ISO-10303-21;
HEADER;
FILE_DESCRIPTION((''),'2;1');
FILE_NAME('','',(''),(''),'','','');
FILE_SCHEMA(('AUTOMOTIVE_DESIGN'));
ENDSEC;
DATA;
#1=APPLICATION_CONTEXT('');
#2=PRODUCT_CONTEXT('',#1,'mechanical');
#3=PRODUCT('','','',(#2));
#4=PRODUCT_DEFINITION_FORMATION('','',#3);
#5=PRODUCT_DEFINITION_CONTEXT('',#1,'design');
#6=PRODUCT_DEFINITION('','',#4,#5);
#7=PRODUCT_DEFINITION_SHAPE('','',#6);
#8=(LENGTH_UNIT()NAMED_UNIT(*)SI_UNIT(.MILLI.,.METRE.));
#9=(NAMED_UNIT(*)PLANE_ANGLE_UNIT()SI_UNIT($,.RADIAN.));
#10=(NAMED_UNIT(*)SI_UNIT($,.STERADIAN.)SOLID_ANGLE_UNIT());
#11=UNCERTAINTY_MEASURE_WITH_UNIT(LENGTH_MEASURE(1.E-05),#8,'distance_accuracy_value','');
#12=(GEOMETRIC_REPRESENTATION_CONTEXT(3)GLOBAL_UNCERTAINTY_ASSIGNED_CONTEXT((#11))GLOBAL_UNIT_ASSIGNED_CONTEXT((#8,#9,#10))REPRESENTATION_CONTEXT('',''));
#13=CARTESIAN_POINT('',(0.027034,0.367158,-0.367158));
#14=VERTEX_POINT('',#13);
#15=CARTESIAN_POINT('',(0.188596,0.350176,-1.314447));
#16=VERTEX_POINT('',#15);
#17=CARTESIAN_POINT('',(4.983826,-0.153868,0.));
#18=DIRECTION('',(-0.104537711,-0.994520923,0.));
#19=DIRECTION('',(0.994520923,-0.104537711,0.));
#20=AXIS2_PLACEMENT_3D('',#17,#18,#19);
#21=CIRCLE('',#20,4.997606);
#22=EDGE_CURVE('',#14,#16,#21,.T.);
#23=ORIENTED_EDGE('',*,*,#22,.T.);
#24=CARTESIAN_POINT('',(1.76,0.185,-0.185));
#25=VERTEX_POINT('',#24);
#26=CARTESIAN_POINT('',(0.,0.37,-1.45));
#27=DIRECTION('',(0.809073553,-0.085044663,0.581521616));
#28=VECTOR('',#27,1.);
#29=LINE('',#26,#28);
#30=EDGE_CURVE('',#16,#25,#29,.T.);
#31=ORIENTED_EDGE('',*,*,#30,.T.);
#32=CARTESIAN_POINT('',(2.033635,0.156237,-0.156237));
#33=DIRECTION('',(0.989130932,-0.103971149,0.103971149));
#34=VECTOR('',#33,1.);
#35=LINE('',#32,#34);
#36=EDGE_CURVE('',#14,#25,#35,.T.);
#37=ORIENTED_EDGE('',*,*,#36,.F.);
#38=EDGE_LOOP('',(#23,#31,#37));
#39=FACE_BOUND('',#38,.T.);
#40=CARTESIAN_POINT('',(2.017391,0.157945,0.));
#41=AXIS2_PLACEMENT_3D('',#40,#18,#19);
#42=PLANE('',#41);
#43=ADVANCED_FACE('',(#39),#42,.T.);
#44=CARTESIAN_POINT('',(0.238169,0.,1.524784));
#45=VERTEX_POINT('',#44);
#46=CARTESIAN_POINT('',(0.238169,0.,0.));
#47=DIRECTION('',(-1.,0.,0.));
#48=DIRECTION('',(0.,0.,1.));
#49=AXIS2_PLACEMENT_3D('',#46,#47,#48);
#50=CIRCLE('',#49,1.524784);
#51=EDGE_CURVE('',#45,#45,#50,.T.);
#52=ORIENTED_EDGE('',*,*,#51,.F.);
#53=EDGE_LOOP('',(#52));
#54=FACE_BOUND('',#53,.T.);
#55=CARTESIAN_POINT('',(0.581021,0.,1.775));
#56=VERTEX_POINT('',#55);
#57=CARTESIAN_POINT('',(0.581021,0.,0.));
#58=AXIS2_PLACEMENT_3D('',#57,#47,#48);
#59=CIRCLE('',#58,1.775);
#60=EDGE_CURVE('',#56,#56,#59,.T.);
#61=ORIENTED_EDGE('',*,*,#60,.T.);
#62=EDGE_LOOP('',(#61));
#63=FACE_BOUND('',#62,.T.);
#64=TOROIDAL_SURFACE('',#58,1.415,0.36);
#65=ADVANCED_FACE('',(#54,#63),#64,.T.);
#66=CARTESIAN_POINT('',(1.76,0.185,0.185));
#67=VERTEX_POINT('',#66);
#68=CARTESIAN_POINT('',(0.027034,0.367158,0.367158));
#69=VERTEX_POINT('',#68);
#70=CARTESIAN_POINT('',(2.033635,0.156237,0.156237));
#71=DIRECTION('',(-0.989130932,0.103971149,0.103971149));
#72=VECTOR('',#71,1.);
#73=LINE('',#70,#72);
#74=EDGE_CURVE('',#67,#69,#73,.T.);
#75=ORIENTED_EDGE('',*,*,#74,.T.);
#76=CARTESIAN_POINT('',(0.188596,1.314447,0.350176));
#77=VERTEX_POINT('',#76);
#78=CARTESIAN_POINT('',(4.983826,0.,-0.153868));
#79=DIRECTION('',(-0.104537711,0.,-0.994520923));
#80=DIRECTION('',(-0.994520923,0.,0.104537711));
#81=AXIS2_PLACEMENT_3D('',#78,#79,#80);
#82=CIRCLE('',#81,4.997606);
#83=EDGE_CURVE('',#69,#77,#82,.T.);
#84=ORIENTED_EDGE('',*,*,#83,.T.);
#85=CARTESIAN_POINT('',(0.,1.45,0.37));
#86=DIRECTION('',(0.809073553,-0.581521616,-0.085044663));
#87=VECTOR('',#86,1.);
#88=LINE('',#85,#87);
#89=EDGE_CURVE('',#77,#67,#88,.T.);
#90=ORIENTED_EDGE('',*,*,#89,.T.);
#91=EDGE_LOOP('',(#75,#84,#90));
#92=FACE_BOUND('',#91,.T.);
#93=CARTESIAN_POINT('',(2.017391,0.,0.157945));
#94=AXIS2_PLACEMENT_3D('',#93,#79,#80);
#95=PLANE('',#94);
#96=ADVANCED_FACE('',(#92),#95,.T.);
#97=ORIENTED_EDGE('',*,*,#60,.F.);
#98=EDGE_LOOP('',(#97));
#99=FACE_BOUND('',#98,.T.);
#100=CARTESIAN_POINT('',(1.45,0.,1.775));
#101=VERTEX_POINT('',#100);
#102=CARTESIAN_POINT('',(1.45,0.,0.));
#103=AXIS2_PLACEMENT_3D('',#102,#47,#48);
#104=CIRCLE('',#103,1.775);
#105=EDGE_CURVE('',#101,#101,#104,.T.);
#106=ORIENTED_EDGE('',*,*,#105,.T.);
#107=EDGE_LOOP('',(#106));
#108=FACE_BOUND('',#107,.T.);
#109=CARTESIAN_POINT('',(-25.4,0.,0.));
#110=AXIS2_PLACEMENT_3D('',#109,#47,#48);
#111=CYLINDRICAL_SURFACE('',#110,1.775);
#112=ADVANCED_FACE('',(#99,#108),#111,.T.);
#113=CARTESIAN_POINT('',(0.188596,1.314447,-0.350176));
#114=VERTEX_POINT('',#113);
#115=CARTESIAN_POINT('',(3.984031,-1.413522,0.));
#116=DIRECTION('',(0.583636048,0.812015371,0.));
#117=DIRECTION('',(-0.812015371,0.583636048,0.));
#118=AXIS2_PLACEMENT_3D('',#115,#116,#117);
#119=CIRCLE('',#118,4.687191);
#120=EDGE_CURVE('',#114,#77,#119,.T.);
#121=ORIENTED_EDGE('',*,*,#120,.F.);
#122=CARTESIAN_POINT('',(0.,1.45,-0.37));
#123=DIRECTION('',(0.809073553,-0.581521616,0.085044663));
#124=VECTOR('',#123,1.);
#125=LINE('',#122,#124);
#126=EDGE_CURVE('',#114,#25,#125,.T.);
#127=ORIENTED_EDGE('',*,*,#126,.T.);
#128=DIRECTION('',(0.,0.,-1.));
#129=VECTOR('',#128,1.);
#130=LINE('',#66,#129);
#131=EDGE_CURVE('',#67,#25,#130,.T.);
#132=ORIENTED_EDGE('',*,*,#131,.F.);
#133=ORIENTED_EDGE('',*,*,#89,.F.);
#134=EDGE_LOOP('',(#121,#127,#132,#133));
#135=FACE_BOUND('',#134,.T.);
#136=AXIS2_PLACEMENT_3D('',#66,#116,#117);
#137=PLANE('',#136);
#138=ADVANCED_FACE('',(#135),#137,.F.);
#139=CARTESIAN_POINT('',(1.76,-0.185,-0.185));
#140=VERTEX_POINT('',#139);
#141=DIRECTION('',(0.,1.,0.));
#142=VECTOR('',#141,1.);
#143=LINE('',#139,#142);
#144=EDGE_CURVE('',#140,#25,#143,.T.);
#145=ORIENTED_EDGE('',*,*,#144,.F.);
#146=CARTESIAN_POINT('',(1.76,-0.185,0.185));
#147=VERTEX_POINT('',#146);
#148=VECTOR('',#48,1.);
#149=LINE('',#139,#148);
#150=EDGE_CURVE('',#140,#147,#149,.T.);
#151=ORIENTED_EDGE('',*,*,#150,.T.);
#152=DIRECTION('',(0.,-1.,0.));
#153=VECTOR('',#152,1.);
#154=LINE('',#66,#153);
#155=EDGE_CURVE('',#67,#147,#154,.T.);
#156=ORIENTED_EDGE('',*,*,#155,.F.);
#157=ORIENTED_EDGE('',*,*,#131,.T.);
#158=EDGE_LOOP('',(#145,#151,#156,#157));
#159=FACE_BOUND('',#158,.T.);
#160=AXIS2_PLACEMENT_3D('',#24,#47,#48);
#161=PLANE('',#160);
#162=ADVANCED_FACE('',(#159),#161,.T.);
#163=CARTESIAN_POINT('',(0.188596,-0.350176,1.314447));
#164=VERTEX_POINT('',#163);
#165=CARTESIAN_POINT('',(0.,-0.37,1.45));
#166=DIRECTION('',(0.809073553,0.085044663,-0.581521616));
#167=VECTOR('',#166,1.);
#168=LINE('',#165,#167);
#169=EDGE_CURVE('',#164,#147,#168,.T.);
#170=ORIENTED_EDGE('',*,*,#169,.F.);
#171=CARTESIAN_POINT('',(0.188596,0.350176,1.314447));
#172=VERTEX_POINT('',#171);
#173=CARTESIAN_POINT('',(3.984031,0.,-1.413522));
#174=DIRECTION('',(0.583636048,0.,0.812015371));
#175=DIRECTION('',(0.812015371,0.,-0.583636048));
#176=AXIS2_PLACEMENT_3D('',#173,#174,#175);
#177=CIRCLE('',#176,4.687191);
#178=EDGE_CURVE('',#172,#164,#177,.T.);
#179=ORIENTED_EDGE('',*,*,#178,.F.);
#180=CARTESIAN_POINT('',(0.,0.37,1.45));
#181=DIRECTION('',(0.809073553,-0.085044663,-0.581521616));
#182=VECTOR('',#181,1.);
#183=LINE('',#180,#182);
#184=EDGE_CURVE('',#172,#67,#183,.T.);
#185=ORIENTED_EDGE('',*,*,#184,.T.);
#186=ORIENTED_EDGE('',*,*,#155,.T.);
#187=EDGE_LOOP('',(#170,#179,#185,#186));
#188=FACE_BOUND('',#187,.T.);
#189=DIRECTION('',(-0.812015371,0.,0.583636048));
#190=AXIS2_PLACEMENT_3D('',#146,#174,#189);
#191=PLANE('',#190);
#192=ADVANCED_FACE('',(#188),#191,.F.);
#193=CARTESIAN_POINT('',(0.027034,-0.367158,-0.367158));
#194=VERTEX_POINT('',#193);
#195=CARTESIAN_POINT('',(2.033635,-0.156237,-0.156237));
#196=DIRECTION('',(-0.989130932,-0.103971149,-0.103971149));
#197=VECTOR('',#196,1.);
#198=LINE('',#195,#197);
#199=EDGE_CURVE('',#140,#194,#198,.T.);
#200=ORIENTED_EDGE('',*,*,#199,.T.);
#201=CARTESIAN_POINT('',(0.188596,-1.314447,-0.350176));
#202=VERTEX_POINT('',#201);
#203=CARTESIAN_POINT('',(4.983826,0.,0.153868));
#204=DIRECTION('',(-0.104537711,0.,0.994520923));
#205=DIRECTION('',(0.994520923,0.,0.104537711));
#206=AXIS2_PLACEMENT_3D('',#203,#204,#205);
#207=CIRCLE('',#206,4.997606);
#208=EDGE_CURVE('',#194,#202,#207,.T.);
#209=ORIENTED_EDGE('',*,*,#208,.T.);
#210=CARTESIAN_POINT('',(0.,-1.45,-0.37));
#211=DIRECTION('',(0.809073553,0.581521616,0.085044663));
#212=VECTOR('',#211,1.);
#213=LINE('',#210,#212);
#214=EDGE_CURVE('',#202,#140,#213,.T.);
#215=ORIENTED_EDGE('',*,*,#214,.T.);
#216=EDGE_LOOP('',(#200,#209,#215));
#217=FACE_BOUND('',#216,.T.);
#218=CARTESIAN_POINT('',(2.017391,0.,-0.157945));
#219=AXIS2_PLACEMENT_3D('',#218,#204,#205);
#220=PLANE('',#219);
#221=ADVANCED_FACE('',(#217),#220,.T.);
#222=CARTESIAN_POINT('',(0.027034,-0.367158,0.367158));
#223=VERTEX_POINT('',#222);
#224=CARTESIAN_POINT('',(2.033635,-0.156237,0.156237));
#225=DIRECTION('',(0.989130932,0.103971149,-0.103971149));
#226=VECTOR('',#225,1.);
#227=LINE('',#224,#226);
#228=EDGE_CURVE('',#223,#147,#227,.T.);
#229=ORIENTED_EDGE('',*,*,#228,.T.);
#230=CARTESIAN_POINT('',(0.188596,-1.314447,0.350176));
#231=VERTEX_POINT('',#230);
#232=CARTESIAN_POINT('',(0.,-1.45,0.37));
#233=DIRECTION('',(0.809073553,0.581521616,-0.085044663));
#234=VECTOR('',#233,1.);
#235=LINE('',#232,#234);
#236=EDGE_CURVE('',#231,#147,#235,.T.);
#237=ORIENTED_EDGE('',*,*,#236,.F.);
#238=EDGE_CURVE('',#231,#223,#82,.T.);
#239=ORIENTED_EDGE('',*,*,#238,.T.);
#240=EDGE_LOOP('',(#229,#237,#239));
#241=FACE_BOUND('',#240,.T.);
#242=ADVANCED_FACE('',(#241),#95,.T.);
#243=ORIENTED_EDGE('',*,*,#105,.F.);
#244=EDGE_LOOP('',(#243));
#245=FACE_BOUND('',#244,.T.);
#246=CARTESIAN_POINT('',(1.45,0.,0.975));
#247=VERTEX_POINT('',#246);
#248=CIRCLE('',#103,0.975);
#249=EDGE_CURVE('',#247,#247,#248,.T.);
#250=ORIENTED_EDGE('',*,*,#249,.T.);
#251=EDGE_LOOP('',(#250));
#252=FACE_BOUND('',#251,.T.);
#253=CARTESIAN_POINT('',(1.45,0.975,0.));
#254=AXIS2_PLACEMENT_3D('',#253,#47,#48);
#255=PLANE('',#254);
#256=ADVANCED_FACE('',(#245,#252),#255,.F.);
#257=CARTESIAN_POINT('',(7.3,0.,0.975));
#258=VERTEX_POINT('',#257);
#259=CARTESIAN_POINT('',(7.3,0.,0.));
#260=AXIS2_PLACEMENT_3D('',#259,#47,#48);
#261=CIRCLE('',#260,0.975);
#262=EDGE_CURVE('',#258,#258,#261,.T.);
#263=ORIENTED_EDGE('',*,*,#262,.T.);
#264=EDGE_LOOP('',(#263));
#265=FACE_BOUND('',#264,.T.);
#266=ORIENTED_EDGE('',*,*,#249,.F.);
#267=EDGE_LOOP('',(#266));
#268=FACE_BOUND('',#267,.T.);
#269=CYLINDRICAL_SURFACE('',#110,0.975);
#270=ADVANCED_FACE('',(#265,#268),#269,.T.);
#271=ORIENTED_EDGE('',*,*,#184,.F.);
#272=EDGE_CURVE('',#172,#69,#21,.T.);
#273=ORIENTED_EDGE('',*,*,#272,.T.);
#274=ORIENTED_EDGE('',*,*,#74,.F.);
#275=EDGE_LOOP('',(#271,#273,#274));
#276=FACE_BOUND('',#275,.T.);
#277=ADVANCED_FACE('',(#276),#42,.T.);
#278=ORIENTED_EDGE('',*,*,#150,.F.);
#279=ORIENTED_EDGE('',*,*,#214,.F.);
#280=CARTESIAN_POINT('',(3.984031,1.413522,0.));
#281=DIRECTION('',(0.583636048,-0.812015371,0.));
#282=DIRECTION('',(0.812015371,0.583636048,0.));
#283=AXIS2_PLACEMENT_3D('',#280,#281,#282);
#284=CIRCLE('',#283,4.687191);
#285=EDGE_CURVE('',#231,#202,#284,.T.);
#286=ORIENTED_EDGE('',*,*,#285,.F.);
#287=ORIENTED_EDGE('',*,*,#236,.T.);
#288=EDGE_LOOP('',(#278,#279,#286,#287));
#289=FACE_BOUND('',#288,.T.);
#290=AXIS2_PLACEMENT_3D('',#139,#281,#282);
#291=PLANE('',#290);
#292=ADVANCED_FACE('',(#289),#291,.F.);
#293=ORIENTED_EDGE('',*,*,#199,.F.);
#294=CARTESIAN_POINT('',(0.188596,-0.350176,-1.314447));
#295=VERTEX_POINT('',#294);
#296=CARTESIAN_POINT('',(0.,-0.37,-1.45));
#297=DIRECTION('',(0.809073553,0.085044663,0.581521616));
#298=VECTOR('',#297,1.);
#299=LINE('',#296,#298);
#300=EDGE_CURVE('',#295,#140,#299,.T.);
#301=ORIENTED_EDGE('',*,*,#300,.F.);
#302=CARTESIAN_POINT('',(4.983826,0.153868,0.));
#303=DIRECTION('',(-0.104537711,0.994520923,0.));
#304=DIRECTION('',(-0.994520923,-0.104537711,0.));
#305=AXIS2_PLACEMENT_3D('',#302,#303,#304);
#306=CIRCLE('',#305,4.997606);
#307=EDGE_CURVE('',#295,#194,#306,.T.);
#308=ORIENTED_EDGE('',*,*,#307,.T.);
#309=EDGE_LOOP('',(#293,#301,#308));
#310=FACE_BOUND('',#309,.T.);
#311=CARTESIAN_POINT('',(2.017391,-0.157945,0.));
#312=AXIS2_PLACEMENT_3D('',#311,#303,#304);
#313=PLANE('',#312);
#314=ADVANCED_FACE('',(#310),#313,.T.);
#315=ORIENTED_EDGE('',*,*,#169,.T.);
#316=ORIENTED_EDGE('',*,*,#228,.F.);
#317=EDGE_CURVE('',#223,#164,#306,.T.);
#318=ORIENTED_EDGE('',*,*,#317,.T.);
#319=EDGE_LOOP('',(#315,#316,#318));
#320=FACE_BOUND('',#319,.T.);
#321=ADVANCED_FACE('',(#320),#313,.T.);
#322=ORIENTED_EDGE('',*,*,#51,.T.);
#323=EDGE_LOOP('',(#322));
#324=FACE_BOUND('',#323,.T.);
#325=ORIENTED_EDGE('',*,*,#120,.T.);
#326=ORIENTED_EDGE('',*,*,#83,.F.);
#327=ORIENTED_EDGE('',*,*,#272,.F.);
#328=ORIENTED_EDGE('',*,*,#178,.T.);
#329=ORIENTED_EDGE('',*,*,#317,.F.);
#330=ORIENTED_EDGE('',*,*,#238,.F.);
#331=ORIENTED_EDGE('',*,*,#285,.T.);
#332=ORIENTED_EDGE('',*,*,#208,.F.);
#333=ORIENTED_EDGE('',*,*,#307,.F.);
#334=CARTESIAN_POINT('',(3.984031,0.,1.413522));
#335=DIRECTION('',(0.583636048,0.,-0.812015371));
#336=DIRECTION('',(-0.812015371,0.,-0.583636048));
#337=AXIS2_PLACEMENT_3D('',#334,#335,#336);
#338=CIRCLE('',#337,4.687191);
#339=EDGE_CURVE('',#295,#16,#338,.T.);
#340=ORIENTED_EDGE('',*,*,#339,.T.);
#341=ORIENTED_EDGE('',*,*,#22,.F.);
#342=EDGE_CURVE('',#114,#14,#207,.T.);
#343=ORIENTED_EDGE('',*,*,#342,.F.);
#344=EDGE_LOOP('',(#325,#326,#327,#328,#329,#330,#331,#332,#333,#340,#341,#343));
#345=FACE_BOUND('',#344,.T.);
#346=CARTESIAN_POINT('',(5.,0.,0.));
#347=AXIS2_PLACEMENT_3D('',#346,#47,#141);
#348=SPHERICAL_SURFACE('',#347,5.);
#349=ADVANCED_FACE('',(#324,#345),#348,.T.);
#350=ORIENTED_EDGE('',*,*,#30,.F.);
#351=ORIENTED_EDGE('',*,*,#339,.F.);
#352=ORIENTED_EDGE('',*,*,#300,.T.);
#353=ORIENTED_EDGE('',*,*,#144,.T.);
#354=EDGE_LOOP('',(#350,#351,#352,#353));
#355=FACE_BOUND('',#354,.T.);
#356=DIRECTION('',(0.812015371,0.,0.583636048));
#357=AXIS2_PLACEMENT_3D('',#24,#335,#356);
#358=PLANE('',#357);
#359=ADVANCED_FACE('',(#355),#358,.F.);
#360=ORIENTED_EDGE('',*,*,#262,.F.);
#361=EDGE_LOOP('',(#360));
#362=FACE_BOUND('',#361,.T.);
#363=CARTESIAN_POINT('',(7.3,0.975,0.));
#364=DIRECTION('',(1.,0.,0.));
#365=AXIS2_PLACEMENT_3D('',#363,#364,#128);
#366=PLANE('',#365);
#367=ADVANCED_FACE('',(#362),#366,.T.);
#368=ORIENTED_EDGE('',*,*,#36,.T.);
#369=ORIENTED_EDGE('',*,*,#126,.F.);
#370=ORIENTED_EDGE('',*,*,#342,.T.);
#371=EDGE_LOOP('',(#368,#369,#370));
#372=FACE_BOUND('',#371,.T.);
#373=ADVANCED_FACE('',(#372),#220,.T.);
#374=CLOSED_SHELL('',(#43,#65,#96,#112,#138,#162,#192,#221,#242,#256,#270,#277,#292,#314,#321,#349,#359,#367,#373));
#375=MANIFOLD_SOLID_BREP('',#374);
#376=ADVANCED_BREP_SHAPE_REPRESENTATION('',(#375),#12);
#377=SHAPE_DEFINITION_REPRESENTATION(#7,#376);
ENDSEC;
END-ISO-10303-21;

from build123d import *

# Parameters (mm, degrees)
SKETCH3_W         = 0.74
SKETCH3_H         = 2.9
SKETCH4_W         = 0.37
SKETCH4_H         = 0.37
CIRPATTERN1_COUNT = 2
CIRPATTERN1_ANGLE = 90


with BuildPart() as part:
    # BodySke → Base-Revolve (revolve)
    with BuildSketch(Plane.XY):
        with BuildLine():
            Line((1.45, 0.975), (1.45, 1.775))
            Line((1.45, 1.775), (0.581021046, 1.775))
            ThreePointArc((0.581021046, 1.775), (0.368797595, 1.705794097), (0.23816923, 1.524784483))
            ThreePointArc((0.23816923, 1.524784483), (0.059901122, 0.771636621), (0, 0))
            Line((0, 0), (7.3, 0))
            Line((7.3, 0), (7.3, 0.975))
            Line((7.3, 0.975), (1.45, 0.975))
        make_face()
    revolve(axis=Axis((-25.4, 0, 0), (1, 0, 0)))

    # Sketch3 → Cut-Loft1 section 0
    with BuildSketch(Plane(origin=(0, 0, 0), x_dir=(0, 0, -1), z_dir=(1, 0, 0))):
        Rectangle(SKETCH3_W, SKETCH3_H)
    # Sketch4 → Cut-Loft1 section 1
    with BuildSketch(Plane(origin=(1.76, 0, 0), x_dir=(0, 0, -1), z_dir=(1, 0, 0))):
        Rectangle(SKETCH4_W, SKETCH4_H)
    cut_loft1 = loft(mode=Mode.SUBTRACT)

    # CirPattern1: Cut-Loft1 ×2 about axis
    cirpattern1_axis = Axis((0, 0, 0), (1, 0, 0))
    for i in range(1, CIRPATTERN1_COUNT):
        add(cut_loft1.rotate(cirpattern1_axis, i * CIRPATTERN1_ANGLE / (CIRPATTERN1_COUNT - 1)), mode=Mode.SUBTRACT)


solid = part.part
